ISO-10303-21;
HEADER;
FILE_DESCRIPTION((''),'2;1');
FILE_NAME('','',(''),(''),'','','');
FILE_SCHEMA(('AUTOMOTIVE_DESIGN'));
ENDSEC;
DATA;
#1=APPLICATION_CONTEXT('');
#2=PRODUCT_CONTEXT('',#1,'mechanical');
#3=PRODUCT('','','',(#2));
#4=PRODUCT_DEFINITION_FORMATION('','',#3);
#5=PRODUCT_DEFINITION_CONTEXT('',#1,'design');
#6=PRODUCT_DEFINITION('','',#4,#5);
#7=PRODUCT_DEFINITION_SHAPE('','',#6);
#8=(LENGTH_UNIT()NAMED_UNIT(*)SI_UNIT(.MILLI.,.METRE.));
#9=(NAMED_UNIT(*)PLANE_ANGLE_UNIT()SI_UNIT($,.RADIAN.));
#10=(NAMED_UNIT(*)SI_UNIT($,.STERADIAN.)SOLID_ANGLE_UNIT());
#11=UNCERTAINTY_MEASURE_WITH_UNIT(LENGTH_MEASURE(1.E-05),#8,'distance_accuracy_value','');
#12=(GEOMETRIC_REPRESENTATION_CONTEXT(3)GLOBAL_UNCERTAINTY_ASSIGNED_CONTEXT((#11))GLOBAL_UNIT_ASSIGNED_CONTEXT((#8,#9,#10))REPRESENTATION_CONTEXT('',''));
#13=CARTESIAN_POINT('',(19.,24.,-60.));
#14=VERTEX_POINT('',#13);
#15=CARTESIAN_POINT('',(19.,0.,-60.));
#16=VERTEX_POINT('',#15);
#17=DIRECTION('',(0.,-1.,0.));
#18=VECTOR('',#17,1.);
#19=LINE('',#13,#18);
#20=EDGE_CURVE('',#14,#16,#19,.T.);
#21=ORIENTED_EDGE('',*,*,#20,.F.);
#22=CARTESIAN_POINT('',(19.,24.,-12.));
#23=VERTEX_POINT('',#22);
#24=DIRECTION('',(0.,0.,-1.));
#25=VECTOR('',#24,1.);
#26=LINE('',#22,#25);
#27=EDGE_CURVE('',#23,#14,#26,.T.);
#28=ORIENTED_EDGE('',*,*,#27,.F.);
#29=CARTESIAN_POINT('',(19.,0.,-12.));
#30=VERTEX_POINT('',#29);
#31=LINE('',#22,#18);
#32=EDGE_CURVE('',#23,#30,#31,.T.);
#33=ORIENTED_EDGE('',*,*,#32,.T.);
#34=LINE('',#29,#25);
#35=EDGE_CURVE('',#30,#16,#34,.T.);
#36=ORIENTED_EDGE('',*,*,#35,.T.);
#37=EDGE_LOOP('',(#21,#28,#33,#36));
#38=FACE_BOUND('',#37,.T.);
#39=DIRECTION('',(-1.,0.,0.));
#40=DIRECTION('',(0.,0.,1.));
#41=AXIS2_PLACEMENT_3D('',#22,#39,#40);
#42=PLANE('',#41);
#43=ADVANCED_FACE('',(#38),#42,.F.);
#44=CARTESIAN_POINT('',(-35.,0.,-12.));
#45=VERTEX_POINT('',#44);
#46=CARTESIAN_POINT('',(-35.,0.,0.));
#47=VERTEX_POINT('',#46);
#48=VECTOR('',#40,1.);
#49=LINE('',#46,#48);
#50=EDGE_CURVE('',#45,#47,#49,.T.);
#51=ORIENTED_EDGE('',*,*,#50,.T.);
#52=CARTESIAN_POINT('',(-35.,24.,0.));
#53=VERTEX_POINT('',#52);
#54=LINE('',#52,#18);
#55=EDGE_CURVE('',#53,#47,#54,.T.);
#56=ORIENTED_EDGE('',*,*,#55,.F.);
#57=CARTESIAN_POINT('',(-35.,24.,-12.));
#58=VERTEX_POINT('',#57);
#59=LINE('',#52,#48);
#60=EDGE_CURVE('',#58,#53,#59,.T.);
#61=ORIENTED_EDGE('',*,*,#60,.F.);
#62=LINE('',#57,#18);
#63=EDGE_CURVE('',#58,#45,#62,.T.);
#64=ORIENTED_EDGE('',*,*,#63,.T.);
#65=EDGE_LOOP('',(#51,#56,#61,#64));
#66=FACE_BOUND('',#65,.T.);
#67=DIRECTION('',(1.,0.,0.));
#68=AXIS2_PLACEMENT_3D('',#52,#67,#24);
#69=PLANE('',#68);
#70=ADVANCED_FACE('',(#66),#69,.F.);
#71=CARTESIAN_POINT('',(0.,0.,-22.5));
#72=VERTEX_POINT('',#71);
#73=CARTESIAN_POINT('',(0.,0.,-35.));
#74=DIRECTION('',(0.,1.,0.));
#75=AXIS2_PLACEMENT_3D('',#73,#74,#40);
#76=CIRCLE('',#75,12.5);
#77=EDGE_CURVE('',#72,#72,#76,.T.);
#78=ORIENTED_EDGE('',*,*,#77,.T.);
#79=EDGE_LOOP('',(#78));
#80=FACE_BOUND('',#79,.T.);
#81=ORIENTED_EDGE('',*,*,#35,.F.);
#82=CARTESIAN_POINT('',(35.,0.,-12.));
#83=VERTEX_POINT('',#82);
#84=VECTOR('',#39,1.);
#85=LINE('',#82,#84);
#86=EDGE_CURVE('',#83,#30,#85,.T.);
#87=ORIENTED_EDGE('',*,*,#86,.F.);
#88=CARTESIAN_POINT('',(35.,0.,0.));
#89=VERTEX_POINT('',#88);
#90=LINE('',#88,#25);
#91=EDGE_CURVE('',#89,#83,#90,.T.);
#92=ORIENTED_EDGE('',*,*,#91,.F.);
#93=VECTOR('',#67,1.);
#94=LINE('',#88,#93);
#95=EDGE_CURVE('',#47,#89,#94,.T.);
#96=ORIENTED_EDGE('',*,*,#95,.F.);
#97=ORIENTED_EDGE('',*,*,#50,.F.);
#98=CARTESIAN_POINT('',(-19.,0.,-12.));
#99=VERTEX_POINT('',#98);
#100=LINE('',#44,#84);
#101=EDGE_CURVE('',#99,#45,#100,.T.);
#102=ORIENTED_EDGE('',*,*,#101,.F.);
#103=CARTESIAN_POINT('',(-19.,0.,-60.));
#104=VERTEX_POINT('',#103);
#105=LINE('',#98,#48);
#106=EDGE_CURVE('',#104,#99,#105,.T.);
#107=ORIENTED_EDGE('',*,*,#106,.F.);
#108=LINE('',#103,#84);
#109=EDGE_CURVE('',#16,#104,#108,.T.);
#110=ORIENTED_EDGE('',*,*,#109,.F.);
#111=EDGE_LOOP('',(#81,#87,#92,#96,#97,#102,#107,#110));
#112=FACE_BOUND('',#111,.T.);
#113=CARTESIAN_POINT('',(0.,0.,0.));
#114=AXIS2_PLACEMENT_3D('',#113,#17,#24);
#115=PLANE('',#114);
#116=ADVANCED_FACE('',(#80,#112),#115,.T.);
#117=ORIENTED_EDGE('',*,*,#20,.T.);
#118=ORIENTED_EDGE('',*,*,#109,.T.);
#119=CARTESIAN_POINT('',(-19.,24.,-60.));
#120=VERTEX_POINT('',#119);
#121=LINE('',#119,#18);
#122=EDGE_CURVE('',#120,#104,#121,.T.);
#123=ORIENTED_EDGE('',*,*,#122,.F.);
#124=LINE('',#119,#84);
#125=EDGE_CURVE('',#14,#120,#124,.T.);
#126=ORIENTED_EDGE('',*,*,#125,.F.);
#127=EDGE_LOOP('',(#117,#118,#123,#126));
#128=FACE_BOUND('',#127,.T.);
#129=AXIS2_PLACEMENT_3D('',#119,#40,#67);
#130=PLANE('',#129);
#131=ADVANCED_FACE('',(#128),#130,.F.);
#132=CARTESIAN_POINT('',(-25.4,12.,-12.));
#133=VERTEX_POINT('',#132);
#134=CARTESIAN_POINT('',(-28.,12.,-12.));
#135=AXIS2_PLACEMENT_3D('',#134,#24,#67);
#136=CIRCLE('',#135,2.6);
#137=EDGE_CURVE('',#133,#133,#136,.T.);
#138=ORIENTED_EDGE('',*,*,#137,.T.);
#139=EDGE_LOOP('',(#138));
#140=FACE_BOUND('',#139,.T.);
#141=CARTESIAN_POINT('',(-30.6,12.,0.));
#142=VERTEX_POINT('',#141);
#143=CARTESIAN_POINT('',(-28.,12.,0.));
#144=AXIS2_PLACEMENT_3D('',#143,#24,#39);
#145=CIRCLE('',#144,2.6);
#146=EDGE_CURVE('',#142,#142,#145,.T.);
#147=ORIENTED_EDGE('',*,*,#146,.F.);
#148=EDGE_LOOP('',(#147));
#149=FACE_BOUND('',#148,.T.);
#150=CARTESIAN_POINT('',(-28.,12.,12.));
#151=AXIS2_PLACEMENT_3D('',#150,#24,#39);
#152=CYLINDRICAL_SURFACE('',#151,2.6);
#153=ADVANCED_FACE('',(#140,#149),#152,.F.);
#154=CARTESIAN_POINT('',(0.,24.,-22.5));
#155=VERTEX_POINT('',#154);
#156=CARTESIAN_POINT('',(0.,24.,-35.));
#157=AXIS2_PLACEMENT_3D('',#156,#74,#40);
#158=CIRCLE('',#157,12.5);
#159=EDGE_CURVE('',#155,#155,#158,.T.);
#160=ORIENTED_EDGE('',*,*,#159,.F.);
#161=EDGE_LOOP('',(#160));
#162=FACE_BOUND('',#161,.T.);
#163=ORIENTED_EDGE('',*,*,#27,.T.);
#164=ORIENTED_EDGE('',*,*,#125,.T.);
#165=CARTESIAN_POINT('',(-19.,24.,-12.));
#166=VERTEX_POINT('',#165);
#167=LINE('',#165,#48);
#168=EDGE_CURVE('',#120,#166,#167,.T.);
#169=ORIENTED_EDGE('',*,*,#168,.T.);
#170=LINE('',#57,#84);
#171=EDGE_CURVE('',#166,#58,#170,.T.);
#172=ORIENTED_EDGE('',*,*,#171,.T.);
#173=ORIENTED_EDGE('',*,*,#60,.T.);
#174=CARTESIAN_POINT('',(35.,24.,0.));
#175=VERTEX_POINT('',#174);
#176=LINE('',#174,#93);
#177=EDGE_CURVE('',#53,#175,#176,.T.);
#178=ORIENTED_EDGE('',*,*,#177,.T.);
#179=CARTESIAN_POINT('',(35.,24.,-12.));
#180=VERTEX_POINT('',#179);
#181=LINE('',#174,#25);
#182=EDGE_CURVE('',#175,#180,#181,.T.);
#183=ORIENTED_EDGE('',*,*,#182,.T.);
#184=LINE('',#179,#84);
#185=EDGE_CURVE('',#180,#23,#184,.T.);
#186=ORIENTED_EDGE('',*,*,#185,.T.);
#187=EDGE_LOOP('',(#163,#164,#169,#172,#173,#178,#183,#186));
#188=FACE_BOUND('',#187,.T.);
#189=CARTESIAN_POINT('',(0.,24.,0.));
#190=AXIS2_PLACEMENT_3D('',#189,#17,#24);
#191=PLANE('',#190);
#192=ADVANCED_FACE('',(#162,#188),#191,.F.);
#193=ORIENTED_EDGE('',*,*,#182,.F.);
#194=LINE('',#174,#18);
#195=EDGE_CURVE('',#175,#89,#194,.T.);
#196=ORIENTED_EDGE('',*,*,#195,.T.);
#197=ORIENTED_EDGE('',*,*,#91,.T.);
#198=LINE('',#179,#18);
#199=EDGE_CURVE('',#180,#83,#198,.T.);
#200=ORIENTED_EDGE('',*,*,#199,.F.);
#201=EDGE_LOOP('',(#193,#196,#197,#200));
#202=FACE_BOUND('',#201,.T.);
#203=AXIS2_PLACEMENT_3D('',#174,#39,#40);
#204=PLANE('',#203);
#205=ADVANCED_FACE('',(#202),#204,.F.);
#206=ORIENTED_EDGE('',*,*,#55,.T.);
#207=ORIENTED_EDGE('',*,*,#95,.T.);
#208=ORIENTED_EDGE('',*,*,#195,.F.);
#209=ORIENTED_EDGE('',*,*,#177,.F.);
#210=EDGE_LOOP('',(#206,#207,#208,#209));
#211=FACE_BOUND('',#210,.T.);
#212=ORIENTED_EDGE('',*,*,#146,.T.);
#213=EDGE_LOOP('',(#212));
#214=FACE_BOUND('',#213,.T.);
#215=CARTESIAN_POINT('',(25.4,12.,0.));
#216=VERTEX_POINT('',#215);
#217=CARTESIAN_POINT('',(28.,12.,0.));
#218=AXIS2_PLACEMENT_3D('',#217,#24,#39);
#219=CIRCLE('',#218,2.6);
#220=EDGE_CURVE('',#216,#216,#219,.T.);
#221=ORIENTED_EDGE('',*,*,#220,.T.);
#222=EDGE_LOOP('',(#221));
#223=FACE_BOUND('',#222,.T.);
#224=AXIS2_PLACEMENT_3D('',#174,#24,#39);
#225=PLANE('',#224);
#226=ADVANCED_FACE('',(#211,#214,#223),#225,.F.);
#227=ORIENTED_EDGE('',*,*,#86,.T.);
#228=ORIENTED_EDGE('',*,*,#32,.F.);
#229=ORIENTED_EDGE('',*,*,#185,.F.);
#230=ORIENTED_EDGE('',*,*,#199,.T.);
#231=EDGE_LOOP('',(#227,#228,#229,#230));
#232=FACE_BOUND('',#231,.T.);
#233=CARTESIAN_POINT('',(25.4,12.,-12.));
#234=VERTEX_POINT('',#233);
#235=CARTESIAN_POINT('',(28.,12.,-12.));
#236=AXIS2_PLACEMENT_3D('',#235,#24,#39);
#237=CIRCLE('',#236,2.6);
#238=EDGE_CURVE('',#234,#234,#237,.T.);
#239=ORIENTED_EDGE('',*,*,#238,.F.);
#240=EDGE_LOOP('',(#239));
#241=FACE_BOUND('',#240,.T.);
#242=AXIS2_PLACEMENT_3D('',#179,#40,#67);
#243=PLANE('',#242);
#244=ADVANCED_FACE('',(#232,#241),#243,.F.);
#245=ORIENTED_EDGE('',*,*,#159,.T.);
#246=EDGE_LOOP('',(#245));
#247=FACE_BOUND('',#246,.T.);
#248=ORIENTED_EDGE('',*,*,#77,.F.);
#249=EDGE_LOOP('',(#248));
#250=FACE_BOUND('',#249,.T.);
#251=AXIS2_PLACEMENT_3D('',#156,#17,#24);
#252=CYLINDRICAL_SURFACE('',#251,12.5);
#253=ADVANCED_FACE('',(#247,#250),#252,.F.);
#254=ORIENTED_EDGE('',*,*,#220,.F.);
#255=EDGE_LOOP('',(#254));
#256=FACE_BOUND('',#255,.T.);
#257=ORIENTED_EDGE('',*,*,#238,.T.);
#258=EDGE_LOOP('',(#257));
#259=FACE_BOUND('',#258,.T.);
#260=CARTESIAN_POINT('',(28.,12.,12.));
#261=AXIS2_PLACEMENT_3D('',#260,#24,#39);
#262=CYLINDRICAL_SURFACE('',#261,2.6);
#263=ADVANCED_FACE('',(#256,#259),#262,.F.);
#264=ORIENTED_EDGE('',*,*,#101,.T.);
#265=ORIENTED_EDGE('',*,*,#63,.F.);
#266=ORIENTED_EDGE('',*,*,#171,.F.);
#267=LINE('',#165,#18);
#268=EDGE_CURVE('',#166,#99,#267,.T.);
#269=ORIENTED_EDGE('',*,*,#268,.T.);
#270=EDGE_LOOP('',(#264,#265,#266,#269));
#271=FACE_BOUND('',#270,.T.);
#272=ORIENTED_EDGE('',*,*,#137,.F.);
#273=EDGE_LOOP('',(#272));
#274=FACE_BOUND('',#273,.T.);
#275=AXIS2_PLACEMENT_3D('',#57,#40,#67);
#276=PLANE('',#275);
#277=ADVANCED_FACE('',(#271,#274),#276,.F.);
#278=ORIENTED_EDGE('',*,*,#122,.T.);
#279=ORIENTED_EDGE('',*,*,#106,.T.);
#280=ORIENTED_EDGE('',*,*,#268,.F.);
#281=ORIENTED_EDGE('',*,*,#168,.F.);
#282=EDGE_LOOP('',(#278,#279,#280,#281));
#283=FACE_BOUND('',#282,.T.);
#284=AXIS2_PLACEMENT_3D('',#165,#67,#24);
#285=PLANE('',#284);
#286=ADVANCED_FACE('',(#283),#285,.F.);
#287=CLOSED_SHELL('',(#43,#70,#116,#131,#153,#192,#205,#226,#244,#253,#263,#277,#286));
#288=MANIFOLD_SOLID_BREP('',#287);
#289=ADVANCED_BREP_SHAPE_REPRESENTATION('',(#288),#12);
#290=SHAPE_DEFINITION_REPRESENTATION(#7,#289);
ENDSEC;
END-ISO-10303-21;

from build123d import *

# Parameters (mm, degrees)
SKETCH_1_R          = 12.5
EXTRUDE_1_DEPTH     = 24
SKETCH_2_R          = 2.6
CUT_EXTRUDE_1_DEPTH = 24


with BuildPart() as part:
    # 草图1 → 凸台-拉伸1 (new body)
    with BuildSketch(Plane(origin=(0, 0, 0), x_dir=(1, 0, 0), z_dir=(0, 1, 0))):
        Polygon((35, 0), (-35, 0), (-35, 12), (-19, 12), (-19, 60), (19, 60), (19, 12), (35, 12), align=None)
        with Locations(Location((0, 35, 0), (0, 0, 270))):
            Circle(SKETCH_1_R, mode=Mode.SUBTRACT)
    extrude(amount=EXTRUDE_1_DEPTH)

    # 草图2 → 切除-拉伸1 (cut)
    with BuildSketch(Plane(origin=(0, 0, -12), x_dir=(-1, 0, 0), z_dir=(0, 0, -1))):
        with Locations((-28, 12)):
            Circle(SKETCH_2_R)
        with Locations((28, 12)):
            Circle(SKETCH_2_R)
    extrude(amount=-CUT_EXTRUDE_1_DEPTH, mode=Mode.SUBTRACT)


solid = part.part
